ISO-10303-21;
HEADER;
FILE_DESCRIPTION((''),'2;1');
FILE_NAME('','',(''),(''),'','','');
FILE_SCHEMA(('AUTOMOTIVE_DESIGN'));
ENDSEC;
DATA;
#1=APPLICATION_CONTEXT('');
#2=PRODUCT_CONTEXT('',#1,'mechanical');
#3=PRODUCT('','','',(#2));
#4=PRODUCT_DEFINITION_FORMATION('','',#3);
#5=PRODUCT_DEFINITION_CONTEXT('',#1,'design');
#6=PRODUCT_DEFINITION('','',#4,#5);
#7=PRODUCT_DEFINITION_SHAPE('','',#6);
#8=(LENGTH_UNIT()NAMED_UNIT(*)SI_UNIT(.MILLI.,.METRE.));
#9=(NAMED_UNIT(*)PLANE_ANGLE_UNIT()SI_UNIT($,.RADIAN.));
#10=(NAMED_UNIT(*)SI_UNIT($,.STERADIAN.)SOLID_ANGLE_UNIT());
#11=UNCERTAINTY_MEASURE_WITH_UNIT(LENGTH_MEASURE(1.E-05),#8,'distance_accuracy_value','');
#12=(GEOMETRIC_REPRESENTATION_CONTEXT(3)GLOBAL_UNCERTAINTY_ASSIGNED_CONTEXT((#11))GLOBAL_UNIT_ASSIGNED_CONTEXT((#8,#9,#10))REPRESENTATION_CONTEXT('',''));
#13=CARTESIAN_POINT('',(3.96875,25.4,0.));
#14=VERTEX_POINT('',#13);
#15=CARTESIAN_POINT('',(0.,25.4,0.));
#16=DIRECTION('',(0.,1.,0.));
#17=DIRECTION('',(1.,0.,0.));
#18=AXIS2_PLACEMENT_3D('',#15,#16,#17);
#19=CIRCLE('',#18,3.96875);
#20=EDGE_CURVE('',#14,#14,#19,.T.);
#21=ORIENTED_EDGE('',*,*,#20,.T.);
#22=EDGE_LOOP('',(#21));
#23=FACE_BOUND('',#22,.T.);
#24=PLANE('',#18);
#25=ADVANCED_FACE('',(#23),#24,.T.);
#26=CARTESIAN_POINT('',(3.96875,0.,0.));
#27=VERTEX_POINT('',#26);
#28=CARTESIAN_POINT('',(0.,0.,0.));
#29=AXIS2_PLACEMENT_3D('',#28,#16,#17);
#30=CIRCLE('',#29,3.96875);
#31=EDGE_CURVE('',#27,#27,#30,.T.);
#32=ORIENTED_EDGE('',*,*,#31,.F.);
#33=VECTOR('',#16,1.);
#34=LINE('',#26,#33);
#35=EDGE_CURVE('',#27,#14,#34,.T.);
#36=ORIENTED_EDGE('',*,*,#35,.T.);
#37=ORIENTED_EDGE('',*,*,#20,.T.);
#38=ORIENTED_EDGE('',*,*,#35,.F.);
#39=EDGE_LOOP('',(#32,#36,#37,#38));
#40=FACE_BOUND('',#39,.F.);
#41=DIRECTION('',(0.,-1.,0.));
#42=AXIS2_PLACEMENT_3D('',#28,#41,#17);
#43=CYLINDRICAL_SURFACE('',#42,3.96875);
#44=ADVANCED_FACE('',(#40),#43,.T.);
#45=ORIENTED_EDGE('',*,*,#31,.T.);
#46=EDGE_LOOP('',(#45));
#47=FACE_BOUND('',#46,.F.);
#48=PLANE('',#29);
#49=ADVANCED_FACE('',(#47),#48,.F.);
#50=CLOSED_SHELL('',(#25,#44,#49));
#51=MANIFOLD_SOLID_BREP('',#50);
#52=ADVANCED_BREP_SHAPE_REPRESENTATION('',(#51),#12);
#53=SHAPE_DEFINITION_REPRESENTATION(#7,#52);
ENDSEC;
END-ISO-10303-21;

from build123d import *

# Parameters (mm, degrees)
SKETCH1_R           = 3.96875
BOSS_EXTRUDE1_DEPTH = 25.4


with BuildPart() as part:
    # Sketch1 → Boss-Extrude1 (new body)
    with BuildSketch(Plane(origin=(0, 0, 0), x_dir=(1, 0, 0), z_dir=(0, 1, 0))):
        Circle(SKETCH1_R)
    extrude(amount=BOSS_EXTRUDE1_DEPTH)


solid = part.part
